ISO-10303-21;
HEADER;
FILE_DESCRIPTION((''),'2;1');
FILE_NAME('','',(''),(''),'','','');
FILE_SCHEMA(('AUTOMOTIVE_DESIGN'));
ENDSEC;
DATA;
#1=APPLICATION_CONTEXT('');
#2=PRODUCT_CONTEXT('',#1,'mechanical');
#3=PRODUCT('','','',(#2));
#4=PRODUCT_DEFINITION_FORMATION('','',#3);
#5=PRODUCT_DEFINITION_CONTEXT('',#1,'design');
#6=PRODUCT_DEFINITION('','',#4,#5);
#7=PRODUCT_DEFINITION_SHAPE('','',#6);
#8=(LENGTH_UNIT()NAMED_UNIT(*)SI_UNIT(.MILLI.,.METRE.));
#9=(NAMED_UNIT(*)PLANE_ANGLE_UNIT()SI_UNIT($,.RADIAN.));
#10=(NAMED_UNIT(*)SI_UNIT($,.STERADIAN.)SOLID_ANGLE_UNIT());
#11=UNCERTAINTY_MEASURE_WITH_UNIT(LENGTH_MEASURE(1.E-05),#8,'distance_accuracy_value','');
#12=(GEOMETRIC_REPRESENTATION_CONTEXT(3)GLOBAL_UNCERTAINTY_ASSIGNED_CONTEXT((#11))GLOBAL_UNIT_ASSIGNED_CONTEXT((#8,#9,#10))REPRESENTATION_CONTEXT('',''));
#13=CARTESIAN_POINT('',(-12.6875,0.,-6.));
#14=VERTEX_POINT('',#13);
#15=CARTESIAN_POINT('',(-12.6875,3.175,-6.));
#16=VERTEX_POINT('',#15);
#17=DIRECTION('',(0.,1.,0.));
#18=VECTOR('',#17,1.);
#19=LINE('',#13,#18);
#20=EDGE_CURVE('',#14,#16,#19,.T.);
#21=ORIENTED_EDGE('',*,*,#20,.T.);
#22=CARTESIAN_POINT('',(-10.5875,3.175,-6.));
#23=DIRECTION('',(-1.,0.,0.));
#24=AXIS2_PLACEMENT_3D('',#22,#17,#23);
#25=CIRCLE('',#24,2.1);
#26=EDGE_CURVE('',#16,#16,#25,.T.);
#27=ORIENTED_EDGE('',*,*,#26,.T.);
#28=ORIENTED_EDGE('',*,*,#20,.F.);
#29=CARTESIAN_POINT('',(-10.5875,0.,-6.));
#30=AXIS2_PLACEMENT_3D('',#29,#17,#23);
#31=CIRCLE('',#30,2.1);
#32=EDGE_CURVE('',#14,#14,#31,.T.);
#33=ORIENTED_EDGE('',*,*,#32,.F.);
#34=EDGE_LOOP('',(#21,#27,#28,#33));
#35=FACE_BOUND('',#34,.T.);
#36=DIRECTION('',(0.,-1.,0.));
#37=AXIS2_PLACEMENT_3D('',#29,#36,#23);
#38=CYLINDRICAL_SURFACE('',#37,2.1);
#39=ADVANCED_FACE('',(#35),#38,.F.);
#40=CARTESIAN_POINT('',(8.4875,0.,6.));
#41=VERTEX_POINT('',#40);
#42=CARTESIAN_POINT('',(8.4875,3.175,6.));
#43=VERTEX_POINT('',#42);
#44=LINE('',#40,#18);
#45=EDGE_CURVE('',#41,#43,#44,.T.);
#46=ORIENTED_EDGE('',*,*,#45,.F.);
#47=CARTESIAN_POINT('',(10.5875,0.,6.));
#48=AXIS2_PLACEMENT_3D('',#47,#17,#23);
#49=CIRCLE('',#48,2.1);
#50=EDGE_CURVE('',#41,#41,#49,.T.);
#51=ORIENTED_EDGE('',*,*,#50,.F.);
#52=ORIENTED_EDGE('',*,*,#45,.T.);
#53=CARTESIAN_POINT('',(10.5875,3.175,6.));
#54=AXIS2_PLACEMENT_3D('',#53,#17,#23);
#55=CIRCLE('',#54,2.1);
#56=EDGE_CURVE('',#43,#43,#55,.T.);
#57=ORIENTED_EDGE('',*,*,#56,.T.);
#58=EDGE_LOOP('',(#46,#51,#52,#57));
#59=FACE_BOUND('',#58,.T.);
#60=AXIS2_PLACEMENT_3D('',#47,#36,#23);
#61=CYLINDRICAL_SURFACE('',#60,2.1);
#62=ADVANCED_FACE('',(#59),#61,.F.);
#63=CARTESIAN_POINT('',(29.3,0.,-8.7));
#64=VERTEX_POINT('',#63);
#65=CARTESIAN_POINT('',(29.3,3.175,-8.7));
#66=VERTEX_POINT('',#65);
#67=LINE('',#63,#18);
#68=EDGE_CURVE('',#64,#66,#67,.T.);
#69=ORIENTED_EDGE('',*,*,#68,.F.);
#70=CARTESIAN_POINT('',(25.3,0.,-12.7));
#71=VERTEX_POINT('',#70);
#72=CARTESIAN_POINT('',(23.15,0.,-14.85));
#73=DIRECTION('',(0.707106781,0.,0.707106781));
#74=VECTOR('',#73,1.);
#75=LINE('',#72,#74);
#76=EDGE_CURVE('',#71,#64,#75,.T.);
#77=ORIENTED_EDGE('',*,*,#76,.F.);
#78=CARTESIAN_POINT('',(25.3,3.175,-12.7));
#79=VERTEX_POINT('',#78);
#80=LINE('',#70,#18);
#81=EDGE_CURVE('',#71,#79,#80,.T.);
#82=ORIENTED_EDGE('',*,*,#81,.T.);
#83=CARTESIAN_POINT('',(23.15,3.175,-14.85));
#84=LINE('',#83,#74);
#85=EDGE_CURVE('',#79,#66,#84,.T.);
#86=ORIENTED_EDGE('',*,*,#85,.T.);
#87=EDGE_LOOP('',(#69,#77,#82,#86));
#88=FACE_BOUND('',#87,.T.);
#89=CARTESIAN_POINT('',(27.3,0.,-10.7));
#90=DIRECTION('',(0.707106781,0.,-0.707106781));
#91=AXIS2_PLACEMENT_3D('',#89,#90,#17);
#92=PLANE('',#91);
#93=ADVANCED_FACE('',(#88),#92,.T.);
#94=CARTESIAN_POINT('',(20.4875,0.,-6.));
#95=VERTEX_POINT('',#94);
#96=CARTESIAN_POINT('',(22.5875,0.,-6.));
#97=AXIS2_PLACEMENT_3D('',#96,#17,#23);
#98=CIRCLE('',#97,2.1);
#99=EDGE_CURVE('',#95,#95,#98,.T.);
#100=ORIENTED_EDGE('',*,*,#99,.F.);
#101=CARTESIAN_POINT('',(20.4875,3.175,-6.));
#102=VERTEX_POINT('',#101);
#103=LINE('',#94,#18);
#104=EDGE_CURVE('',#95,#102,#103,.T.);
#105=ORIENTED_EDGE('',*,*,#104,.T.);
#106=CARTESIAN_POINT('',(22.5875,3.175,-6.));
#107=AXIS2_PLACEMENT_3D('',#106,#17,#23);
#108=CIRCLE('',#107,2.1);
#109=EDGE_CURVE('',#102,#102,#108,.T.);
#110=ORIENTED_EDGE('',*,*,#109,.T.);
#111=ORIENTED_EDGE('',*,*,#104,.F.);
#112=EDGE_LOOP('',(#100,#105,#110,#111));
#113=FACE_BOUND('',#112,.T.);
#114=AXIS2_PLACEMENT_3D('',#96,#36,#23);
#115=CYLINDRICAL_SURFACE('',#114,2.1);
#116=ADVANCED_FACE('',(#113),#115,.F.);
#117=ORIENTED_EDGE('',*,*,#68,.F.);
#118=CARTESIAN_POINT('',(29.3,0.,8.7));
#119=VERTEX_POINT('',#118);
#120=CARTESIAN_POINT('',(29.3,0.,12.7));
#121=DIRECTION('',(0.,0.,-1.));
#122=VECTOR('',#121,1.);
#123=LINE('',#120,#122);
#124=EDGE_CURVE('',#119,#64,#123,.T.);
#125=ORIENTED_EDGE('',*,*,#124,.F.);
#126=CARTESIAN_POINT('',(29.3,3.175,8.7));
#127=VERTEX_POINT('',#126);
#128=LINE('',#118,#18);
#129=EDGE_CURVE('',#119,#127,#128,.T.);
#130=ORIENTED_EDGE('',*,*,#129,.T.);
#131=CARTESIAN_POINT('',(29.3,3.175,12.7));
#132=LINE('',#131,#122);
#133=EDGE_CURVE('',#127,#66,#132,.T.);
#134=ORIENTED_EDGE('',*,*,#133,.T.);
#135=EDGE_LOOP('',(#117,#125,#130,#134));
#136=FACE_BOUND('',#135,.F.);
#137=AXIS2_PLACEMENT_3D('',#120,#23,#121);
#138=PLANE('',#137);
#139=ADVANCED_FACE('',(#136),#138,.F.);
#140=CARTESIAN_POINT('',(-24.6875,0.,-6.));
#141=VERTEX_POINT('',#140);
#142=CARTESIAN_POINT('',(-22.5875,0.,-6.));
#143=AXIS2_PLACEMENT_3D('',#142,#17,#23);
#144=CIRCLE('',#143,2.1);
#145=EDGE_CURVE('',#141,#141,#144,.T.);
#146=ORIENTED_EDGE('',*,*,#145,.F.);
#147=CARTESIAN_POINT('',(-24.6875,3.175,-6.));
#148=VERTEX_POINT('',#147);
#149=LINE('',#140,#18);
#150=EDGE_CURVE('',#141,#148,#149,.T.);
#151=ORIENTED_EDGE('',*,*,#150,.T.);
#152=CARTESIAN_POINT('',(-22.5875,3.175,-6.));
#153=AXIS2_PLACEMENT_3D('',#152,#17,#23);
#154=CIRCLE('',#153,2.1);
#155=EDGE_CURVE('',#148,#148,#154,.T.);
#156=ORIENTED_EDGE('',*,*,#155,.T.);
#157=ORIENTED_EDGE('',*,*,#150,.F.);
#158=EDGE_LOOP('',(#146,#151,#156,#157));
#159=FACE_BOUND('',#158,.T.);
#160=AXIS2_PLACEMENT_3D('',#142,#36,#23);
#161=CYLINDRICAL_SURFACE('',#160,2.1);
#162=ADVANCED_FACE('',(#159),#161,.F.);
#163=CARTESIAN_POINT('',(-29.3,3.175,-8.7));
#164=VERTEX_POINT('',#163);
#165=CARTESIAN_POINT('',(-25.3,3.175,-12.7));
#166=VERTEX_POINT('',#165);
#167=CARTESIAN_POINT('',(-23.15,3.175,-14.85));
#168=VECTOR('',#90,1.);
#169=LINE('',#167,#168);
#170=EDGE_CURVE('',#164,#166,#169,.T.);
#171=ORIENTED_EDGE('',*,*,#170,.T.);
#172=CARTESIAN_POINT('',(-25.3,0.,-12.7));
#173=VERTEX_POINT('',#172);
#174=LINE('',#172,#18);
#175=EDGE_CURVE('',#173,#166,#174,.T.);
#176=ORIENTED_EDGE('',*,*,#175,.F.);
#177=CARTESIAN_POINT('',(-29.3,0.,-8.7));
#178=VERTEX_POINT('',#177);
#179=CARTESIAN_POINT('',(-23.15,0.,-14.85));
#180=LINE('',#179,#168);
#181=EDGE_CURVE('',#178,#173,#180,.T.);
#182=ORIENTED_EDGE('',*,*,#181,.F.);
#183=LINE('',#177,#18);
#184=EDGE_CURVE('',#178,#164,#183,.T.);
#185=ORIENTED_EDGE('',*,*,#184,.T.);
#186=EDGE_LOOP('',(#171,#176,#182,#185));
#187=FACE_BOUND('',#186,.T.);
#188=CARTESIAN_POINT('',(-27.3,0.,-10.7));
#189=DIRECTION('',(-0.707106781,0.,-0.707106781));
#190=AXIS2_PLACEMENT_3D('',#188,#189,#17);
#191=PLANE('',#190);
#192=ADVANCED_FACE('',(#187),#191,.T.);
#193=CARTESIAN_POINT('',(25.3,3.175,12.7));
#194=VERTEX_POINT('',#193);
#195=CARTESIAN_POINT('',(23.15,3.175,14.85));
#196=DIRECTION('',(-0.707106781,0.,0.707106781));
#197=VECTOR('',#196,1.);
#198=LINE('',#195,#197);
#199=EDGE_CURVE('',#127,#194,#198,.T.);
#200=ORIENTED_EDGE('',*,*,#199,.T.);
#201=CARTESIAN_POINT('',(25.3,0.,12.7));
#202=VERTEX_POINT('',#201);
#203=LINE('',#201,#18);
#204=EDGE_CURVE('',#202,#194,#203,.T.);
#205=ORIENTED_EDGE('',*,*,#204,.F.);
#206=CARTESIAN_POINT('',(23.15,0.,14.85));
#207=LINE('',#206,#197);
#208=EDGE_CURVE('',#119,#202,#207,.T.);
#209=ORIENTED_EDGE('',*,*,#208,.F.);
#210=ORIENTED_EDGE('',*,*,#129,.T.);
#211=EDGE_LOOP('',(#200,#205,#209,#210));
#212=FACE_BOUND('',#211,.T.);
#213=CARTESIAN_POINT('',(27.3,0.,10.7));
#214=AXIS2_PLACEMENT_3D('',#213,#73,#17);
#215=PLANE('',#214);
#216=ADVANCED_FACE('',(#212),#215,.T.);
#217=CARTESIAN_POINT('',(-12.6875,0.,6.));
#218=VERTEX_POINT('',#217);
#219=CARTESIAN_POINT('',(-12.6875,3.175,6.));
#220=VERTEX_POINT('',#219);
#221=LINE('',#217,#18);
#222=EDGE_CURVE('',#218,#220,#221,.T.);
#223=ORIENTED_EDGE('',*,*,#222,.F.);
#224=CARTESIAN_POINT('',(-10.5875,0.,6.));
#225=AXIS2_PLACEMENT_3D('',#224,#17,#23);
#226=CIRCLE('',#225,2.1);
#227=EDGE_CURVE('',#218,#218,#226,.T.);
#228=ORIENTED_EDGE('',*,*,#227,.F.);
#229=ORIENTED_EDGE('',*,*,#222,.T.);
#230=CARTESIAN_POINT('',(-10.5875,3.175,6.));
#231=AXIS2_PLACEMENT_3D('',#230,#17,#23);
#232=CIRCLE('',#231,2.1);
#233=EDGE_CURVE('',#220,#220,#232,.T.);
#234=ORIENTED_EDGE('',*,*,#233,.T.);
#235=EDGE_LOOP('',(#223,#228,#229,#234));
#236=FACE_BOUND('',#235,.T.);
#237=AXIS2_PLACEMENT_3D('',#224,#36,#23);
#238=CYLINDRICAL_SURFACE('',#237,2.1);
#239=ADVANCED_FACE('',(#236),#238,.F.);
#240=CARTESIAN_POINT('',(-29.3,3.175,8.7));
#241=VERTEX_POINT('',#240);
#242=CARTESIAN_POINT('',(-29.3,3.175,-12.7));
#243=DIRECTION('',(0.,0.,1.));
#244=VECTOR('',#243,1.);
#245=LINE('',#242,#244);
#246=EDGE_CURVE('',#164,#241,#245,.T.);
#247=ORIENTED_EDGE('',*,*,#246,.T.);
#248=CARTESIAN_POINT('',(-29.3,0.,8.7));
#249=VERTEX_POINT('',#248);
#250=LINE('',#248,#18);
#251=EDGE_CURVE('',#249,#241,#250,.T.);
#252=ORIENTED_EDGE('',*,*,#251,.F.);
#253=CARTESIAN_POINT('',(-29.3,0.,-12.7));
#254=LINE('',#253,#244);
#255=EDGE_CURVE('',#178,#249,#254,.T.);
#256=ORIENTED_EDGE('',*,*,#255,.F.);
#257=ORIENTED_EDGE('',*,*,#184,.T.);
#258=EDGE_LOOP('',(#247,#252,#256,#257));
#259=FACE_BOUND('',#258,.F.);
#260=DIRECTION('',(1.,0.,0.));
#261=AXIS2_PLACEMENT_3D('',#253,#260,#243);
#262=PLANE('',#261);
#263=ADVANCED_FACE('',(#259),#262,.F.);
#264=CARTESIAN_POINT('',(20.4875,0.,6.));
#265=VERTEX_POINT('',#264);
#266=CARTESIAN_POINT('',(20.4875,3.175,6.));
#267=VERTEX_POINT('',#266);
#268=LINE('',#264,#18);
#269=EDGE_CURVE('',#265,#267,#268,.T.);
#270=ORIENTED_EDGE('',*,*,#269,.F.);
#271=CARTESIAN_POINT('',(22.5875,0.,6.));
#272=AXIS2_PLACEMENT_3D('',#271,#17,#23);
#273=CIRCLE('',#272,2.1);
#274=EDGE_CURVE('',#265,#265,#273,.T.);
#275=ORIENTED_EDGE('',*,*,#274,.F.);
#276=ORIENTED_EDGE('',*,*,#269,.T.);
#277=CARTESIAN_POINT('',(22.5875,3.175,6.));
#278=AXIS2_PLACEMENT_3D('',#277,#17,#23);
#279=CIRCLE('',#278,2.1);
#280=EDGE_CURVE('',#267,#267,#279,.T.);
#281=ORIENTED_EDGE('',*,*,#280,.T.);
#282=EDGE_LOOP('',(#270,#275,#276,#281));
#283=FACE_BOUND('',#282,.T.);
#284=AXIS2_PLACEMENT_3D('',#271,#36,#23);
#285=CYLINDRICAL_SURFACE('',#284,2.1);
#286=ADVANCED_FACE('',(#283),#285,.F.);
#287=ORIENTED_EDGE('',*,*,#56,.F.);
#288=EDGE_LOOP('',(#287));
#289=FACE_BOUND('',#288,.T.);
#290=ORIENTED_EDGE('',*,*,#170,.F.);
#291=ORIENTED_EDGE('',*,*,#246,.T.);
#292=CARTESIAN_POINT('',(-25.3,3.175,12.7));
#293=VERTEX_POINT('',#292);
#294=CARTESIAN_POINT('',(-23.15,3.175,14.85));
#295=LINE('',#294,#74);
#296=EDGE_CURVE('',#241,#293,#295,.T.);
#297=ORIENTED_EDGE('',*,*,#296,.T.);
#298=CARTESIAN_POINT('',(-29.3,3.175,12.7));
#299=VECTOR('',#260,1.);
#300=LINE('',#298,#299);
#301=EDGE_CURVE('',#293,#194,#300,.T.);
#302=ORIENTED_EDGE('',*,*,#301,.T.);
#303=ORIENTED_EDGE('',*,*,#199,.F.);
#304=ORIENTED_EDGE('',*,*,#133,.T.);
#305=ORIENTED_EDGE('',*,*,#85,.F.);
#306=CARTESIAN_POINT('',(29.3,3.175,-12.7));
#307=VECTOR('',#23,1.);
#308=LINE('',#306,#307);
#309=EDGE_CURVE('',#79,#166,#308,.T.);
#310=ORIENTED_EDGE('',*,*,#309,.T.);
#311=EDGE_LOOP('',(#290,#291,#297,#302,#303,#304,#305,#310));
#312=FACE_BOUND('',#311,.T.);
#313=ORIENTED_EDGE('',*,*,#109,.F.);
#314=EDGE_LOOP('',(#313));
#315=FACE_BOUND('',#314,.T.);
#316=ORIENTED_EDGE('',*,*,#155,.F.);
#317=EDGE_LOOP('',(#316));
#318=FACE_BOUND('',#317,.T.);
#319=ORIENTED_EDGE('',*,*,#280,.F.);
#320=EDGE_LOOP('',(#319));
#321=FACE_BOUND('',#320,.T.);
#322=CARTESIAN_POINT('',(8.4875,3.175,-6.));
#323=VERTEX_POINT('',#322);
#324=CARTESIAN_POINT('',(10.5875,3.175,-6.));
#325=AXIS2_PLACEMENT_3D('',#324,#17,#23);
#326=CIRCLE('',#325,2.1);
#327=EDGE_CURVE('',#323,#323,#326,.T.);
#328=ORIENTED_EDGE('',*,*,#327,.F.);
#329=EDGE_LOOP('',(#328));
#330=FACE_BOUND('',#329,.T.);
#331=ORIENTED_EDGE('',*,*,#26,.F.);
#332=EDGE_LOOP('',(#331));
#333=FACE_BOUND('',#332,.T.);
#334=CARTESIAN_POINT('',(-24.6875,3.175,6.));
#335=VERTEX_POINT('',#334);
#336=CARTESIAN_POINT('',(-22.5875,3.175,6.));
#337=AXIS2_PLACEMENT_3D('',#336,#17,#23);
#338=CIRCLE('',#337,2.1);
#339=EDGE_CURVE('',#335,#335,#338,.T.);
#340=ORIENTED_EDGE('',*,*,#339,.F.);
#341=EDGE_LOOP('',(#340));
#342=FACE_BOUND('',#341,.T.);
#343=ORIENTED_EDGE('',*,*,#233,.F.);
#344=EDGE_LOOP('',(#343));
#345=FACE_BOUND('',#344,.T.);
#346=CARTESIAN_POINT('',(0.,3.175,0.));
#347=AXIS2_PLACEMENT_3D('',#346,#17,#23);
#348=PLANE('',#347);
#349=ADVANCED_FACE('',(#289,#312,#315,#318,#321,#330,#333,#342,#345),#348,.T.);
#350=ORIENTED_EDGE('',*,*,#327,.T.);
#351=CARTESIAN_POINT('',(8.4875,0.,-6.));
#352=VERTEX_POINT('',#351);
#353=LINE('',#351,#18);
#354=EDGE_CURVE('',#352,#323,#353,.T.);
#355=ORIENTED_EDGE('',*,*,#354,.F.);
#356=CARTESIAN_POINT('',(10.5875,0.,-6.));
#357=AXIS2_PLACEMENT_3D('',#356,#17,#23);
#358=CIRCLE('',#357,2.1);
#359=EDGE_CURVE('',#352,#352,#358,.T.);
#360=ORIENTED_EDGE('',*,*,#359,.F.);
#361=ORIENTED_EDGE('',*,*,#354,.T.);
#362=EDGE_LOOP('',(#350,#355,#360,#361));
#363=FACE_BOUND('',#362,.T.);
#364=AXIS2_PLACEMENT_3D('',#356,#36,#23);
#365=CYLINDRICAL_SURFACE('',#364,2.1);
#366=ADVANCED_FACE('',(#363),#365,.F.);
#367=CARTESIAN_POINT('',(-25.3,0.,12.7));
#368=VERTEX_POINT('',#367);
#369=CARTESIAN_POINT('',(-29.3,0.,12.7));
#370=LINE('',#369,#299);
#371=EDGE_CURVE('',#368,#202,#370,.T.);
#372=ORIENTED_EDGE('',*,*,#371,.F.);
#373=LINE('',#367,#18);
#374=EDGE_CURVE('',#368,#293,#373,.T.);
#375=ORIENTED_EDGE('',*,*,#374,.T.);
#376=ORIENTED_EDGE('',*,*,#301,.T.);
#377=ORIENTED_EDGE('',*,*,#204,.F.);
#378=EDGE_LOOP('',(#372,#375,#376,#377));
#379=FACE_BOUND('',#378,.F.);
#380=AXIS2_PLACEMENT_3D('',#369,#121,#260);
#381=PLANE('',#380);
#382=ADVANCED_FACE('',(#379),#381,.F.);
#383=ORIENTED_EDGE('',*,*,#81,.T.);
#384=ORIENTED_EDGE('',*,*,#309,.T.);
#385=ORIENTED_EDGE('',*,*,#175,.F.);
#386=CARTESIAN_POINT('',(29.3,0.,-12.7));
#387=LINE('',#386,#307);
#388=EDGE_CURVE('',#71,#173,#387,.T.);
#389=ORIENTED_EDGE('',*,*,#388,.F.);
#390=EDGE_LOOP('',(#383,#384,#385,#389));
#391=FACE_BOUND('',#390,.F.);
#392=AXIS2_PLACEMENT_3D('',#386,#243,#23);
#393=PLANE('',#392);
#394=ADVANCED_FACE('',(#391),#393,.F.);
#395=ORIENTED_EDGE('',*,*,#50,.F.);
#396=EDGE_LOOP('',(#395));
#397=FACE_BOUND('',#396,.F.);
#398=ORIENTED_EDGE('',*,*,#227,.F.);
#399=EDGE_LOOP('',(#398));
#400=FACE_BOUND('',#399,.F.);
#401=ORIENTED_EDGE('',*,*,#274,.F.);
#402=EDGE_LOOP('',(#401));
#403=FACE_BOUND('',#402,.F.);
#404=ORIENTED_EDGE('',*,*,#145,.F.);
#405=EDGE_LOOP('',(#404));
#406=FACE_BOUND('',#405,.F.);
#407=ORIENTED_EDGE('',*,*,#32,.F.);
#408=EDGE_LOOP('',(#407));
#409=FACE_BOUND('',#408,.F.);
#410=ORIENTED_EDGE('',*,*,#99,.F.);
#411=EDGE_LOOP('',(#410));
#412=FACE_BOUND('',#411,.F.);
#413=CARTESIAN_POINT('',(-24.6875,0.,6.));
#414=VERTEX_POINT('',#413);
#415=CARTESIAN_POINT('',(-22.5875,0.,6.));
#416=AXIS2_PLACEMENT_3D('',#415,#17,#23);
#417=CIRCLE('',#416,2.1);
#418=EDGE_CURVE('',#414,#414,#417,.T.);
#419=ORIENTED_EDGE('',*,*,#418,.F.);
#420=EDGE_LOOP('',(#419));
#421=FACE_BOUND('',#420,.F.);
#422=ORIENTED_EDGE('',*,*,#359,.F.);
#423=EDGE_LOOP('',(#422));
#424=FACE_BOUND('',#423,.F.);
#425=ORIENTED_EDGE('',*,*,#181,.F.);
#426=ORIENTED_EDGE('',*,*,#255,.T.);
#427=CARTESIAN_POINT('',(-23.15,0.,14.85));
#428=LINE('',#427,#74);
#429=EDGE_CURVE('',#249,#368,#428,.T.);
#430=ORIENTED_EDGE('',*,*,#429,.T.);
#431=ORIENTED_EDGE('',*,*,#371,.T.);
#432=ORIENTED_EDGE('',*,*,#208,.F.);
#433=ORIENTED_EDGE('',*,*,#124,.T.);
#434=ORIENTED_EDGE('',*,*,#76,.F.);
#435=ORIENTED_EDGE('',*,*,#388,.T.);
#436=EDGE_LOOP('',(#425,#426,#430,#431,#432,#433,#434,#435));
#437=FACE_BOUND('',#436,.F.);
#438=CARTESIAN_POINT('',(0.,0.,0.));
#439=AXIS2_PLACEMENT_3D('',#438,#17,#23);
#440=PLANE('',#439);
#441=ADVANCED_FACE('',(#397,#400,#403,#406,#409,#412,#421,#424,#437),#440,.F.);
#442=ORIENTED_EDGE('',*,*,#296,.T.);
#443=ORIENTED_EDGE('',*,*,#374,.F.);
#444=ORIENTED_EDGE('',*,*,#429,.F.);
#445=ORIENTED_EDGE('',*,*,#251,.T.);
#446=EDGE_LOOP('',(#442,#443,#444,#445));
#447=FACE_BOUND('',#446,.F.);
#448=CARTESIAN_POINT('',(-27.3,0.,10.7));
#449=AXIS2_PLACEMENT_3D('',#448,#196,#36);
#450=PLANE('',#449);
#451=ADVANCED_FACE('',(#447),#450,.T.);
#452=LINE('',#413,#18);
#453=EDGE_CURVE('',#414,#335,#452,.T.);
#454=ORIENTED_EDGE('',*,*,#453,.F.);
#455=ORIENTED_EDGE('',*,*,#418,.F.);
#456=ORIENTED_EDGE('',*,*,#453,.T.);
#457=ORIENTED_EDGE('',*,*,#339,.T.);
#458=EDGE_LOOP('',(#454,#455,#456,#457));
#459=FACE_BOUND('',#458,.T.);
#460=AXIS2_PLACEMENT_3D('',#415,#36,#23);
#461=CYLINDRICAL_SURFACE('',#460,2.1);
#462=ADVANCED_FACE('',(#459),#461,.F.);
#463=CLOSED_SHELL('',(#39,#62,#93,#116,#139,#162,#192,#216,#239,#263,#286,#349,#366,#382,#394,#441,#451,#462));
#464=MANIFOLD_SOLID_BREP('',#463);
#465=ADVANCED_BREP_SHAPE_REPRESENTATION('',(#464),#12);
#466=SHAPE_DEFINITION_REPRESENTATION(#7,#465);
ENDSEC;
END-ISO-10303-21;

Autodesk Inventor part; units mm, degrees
ref_plane "YZ Plane" through (0, 0, 0) normal (1, 0, 0) x (0, 1, 0)
ref_plane "XZ Plane" through (0, 0, 0) normal (0, 1, 0) x (-1, 0, 0)
ref_plane "XY Plane" through (0, 0, 0) normal (0, 0, 1) x (1, 0, 0)
sketch "Sketch1" plane through (0, 0, 0) normal (0, 1, 0) x (-1, 0, 0)
  circle A0 centre (16.5875, 0) radius 2.5 construction
  circle A1 centre (-16.5875, 0) radius 2.5 construction
  line L0 (16.5875, 0) -> (-16.5875, 0) construction
  circle A2 centre (10.5875, 6) radius 2.1
  circle A3 centre (10.5875, -6) radius 2.1
  circle A4 centre (22.5875, -6) radius 2.1
  circle A5 centre (22.5875, 6) radius 2.1
  circle A6 centre (-22.5875, -6) radius 2.1
  circle A7 centre (-10.5875, -6) radius 2.1
  circle A8 centre (-10.5875, 6) radius 2.1
  circle A9 centre (-22.5875, 6) radius 2.1
  line L1 (29.3, 12.7) -> (-29.3, 12.7)
  line L2 (-29.3, 12.7) -> (-29.3, -12.7)
  line L3 (-29.3, -12.7) -> (29.3, -12.7)
  line L4 (29.3, -12.7) -> (29.3, 12.7)
  line L5 (29.3, 12.7) -> (-29.3, -12.7) construction
  line L6 (-29.3, 12.7) -> (29.3, -12.7) construction
  point P0 (0, 0)
  point P1 (0, 0)
  dimension "d0" = 5
  dimension "d1" = 5
  dimension "d2" = 33.175
  dimension "d3" = 4.2
  dimension "d4" = 6
  dimension "d5" = 6
  dimension "d8" = 360
  dimension "d10" = 4.2
  dimension "d11" = 6
  dimension "d12" = 6
  dimension "d15" = 360
  dimension "d17" = 58.6
  dimension "d18" = 25.4
extrude "Extrusion1" add sketch "Sketch1" along normal blind 3.175
chamfer "Chamfer1" distance 4 angle 45 4 edges at (-29.3, 1.5875, 12.7) (29.3, 1.5875, 12.7) (29.3, 1.5875, -12.7) (-29.3, 1.5875, -12.7)
properties part number "MotorMoutningTopConnectionPlate"
